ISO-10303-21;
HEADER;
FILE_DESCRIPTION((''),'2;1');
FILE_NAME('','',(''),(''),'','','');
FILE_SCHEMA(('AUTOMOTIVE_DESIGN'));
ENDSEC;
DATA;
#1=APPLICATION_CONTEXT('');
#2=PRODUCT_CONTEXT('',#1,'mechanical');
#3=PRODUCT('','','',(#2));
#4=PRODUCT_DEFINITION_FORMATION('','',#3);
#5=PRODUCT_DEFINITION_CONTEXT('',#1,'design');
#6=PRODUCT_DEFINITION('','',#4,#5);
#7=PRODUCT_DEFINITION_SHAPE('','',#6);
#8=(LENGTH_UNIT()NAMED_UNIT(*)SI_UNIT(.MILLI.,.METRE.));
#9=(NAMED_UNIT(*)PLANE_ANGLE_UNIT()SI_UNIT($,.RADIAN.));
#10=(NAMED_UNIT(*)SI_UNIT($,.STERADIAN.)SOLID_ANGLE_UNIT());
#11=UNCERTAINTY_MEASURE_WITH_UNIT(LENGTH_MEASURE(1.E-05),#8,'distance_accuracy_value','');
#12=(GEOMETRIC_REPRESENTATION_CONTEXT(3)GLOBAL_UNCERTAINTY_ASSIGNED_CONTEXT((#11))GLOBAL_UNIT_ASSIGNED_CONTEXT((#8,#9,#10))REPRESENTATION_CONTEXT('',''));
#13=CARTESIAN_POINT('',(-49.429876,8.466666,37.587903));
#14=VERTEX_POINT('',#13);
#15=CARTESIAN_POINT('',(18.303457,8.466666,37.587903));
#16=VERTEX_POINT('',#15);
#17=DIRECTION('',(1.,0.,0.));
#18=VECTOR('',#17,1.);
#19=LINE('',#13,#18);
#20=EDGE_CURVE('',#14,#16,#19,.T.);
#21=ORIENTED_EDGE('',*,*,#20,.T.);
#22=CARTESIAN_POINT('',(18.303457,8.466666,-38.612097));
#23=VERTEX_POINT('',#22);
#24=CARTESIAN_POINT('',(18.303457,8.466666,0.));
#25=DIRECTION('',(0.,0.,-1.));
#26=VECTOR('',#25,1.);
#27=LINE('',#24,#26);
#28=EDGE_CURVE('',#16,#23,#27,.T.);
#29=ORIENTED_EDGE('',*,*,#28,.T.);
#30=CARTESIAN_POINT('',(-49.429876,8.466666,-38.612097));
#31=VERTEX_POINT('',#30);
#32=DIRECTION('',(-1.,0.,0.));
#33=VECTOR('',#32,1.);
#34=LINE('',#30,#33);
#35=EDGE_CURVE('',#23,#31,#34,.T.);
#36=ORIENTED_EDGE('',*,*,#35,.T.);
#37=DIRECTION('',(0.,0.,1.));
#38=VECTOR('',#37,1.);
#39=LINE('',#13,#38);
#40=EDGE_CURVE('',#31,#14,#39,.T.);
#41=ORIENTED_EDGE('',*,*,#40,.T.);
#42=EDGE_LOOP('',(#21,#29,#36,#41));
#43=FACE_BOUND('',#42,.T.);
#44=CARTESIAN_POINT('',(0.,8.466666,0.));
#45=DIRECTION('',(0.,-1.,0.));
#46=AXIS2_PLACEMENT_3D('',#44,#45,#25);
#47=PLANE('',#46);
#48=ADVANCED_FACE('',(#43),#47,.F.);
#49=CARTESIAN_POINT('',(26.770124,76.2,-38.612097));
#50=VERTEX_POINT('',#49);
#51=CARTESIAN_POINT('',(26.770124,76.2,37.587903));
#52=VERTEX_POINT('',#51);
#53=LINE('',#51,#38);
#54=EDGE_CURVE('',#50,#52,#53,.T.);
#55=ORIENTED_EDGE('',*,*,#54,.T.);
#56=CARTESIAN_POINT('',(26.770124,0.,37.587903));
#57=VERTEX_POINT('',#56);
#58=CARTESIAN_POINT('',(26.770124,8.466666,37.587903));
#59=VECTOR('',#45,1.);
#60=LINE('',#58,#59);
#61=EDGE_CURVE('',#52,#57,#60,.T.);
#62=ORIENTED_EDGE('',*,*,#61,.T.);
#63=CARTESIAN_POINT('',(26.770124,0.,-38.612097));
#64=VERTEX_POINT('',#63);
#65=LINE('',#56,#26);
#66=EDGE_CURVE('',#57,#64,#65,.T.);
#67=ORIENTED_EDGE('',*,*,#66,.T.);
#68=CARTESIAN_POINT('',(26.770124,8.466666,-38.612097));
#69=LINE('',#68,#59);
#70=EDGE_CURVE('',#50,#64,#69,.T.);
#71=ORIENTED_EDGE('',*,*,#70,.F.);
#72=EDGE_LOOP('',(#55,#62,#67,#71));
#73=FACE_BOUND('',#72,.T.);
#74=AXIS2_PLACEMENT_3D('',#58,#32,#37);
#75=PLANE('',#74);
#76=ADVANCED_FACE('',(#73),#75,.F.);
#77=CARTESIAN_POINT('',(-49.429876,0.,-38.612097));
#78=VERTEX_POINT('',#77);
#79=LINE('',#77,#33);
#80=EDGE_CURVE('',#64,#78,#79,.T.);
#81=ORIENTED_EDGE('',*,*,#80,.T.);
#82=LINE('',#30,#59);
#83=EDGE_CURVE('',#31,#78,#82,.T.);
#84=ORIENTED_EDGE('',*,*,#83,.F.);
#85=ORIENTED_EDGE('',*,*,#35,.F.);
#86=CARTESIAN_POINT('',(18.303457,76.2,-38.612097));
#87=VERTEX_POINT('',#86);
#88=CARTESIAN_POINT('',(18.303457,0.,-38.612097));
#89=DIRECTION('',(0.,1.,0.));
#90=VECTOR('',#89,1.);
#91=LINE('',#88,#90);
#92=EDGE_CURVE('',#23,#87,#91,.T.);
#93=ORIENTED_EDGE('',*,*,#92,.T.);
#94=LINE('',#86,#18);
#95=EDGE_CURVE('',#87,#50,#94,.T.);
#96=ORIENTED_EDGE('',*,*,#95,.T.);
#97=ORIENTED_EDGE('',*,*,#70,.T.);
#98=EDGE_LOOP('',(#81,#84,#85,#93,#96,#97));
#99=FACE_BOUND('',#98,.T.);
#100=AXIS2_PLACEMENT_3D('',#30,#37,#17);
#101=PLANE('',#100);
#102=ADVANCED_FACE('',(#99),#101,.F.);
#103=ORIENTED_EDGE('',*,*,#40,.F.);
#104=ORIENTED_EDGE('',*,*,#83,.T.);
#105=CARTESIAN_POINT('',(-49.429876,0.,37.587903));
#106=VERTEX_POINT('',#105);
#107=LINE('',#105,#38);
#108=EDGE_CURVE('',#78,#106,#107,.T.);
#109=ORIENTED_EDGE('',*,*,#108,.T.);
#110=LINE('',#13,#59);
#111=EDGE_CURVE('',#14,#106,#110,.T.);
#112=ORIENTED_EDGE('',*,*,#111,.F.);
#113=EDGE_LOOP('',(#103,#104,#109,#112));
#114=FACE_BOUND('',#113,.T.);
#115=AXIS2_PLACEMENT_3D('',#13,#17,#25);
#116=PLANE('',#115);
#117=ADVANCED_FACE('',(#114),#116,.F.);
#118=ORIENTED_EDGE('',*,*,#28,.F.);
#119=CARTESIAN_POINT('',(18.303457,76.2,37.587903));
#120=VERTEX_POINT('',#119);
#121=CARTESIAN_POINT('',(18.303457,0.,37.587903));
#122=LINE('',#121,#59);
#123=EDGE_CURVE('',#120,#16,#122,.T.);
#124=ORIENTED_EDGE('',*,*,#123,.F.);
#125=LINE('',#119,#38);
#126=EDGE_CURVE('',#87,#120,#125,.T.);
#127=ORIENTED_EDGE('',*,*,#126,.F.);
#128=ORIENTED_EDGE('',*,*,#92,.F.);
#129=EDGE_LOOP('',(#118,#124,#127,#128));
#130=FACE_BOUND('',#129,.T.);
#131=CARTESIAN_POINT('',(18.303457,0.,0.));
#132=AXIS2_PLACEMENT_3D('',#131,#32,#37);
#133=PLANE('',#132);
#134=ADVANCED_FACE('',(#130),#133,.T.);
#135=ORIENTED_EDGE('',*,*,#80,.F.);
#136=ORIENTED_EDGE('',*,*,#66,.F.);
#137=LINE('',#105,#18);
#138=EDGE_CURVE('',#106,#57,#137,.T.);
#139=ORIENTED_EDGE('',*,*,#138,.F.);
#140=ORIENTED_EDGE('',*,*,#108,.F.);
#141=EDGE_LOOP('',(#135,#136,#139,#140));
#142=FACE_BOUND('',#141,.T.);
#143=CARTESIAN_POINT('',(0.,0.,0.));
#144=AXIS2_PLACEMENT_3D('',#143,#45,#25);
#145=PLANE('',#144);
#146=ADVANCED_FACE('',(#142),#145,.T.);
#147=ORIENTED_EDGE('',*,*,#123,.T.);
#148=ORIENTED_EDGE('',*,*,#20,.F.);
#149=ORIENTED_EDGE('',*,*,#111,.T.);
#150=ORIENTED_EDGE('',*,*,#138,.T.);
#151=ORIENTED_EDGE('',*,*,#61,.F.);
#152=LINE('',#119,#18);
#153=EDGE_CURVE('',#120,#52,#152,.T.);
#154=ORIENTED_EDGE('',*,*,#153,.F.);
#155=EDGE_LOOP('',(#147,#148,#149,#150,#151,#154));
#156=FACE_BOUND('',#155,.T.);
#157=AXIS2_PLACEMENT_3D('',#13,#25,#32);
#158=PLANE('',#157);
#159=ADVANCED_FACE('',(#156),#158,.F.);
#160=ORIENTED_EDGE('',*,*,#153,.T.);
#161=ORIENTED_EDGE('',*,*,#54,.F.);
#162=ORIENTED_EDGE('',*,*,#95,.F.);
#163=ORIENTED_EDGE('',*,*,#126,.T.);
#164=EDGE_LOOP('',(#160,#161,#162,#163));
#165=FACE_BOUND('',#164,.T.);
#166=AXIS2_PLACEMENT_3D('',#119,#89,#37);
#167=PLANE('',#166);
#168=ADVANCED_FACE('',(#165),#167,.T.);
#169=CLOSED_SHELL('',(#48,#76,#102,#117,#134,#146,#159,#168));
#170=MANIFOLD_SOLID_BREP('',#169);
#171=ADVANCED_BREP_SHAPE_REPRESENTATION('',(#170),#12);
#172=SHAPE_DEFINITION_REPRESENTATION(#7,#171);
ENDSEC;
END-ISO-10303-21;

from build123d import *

# Parameters (mm, degrees)
SKETCH1_W           = 76.2
SKETCH1_H           = 76.2
BOSS_EXTRUDE1_DEPTH = 8.46666582
SKETCH2_W           = 76.2
SKETCH2_H           = 76.2
BOSS_EXTRUDE2_DEPTH = 8.466666667


with BuildPart() as part:
    # Sketch1 → Boss-Extrude1 (new body)
    with BuildSketch(Plane(origin=(0, 0, 0), x_dir=(1, 0, 0), z_dir=(0, 1, 0))):
        with Locations((-11.329876444, 0.512096774)):
            Rectangle(SKETCH1_W, SKETCH1_H)
    extrude(amount=BOSS_EXTRUDE1_DEPTH)

    # Sketch2 → Boss-Extrude2 (add)
    with BuildSketch(Plane(origin=(26.770123556, 0, 0), x_dir=(0, 0, -1), z_dir=(1, 0, 0))):
        with Locations((0.512096774, 38.1)):
            Rectangle(SKETCH2_W, SKETCH2_H)
    extrude(amount=-BOSS_EXTRUDE2_DEPTH)


solid = part.part
